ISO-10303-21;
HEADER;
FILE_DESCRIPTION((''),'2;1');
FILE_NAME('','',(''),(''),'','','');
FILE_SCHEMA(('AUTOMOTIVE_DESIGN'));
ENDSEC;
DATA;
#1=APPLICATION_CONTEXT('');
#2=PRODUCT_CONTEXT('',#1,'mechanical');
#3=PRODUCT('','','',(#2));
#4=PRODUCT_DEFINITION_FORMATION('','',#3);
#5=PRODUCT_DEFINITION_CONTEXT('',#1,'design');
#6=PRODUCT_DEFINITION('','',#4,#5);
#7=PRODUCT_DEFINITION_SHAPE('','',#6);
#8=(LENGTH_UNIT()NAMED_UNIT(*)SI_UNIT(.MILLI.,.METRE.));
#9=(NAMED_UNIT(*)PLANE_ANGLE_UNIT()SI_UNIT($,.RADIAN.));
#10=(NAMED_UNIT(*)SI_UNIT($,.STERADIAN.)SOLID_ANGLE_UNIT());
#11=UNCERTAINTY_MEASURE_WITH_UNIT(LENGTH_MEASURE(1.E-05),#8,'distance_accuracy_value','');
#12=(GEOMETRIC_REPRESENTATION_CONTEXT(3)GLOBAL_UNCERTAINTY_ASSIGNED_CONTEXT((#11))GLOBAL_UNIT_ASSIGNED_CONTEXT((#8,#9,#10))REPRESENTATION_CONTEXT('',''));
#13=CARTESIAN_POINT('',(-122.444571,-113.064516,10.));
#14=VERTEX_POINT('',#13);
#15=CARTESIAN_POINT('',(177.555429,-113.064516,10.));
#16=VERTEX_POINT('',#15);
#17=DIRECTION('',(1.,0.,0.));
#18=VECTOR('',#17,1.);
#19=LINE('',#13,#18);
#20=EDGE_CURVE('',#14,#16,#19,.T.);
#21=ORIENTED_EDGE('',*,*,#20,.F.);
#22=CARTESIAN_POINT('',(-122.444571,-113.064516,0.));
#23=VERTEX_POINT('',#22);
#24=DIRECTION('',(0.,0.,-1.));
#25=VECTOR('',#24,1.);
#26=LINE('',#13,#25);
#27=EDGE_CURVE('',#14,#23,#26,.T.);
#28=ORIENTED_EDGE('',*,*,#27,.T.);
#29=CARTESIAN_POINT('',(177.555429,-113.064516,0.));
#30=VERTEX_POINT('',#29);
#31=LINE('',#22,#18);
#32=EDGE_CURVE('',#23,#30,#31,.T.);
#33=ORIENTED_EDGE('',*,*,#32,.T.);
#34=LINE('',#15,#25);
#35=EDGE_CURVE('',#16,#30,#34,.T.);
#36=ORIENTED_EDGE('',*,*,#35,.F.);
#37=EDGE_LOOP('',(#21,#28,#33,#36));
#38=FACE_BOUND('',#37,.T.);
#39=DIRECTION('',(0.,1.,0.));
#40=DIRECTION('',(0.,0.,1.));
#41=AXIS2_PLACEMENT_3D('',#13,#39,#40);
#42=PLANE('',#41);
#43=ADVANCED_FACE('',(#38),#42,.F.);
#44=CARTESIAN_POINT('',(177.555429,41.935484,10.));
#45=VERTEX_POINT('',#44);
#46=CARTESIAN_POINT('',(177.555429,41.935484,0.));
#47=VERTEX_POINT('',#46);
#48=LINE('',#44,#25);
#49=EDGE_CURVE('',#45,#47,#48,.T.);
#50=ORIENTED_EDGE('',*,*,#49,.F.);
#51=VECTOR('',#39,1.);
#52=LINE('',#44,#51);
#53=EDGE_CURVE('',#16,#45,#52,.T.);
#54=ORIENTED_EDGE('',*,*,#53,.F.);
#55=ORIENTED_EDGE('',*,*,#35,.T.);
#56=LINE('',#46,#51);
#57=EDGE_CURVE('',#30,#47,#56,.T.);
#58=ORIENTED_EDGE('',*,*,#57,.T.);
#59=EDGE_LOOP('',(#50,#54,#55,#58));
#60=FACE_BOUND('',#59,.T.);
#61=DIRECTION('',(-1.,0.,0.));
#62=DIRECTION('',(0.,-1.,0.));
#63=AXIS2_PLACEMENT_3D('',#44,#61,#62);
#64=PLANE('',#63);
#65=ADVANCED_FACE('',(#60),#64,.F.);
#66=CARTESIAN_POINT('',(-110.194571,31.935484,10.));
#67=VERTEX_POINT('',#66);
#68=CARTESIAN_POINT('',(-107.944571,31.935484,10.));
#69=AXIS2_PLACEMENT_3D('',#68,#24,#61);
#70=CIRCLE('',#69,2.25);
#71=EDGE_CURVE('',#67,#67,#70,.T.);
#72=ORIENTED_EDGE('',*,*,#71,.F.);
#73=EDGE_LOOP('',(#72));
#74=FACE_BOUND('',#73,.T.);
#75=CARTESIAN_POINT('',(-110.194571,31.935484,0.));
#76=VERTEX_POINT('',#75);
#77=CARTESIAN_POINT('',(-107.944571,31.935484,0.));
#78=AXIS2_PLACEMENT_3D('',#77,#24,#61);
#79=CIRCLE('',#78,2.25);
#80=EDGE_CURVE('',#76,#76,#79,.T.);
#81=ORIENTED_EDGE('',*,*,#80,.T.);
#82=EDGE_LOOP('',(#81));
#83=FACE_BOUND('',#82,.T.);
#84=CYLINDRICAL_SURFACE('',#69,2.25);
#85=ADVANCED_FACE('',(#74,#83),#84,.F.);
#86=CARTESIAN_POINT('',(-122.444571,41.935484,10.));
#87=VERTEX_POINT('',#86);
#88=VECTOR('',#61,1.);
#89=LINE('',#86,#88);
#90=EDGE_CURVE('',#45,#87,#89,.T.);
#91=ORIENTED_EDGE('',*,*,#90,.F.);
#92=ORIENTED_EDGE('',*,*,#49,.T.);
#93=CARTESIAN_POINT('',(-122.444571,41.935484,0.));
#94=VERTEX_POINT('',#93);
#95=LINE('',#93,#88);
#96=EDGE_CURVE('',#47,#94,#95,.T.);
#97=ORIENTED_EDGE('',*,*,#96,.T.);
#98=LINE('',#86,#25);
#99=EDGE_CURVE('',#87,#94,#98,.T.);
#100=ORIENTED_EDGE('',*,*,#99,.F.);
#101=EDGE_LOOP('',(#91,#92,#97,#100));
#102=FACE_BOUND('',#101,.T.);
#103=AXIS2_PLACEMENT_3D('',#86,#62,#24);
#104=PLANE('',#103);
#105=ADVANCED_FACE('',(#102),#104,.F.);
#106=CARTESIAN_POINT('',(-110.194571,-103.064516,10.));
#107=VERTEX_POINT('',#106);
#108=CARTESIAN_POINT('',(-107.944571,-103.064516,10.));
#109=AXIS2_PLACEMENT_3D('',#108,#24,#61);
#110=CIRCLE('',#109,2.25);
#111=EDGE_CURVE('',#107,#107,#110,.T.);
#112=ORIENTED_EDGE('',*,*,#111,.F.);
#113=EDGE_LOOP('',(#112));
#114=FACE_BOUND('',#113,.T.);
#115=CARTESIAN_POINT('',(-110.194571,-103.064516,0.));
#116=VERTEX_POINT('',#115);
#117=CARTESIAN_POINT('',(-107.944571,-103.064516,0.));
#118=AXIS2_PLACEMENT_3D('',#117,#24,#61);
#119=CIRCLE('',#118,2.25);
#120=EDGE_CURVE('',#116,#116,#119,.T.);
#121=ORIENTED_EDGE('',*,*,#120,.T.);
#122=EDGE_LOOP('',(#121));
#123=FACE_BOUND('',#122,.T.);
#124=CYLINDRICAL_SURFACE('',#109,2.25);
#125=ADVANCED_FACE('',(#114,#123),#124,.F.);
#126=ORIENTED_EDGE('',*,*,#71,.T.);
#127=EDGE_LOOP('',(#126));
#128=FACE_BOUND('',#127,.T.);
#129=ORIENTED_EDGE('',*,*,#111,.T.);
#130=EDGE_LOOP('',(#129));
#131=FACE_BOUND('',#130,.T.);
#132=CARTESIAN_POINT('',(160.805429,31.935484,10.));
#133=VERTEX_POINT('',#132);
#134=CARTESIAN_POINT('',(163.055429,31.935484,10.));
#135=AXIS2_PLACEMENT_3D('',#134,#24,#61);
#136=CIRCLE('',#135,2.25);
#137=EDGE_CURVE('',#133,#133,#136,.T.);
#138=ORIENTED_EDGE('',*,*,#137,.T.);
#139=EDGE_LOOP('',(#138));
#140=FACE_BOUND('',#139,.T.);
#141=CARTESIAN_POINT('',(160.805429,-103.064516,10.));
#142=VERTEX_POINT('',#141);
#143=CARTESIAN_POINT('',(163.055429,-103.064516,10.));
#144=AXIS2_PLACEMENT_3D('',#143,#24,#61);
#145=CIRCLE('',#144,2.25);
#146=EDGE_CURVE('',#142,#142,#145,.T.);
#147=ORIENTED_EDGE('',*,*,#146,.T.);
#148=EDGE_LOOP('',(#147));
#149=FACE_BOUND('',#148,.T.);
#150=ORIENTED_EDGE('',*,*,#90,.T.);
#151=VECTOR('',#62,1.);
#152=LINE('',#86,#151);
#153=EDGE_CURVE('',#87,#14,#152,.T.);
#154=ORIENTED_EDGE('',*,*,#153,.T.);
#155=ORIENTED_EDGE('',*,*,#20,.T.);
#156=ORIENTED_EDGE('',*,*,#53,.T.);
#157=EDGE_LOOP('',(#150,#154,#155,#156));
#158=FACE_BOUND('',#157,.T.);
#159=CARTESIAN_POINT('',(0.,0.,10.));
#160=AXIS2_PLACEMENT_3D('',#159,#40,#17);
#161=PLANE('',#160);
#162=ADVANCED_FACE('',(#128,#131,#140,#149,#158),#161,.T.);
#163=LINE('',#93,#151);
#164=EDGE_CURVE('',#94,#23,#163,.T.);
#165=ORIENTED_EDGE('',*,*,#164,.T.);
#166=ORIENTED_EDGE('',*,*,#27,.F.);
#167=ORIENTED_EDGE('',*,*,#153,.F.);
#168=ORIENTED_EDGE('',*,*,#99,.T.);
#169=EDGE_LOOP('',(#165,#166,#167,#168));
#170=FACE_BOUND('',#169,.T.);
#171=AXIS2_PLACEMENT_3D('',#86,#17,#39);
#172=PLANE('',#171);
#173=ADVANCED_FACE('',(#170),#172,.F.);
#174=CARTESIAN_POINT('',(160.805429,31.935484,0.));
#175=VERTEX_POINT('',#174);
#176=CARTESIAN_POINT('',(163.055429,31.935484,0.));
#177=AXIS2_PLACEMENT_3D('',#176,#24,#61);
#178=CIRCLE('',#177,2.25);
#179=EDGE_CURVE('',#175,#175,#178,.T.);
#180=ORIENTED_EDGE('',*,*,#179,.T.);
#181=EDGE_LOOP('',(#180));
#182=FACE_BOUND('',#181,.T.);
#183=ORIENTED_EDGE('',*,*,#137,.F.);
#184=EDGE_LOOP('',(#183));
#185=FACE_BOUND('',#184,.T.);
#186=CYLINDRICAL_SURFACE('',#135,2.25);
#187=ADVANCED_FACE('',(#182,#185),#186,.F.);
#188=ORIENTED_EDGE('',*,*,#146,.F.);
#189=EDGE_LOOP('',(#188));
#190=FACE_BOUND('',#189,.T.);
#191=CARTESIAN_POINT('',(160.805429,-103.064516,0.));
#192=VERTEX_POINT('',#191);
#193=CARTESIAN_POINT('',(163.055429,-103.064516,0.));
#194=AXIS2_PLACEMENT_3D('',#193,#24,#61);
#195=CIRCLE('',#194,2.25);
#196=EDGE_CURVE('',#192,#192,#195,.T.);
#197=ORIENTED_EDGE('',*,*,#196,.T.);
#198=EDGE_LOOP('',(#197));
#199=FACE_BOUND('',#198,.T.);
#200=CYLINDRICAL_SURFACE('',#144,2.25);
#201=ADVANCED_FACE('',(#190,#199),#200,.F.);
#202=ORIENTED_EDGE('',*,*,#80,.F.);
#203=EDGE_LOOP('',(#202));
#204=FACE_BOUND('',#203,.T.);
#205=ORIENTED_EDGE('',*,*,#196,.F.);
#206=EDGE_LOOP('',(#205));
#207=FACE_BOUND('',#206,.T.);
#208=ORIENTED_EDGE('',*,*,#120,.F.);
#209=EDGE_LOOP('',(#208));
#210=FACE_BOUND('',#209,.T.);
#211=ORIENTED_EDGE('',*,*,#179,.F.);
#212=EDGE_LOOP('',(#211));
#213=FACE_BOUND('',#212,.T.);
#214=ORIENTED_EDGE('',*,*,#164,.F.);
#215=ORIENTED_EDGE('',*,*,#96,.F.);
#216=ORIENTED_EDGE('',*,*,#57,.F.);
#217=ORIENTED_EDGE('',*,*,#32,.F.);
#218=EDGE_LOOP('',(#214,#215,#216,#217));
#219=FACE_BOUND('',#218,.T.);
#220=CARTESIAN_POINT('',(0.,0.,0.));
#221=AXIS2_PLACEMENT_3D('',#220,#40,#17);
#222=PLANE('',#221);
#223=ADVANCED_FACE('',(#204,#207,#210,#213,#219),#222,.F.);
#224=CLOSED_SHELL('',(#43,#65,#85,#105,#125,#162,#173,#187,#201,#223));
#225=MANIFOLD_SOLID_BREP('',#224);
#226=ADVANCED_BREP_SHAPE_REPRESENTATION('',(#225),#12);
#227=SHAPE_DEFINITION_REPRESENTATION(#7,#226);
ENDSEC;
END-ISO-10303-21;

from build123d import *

# Parameters (mm, degrees)
ESQUISSE1_W             = 300
ESQUISSE1_H             = 155
BOSS_EXTRU_1_DEPTH      = 10
ESQUISSE2_R             = 2.25
ENL_V_MAT_EXTRU_1_DEPTH = 10


with BuildPart() as part:
    # Esquisse1 → Boss.-Extru.1 (new body)
    with BuildSketch(Plane.XY):
        with Locations((27.555428531, -35.564516129)):
            Rectangle(ESQUISSE1_W, ESQUISSE1_H)
    extrude(amount=BOSS_EXTRU_1_DEPTH)

    # Esquisse2 → Enlèv. mat.-Extru.1 (cut)
    with BuildSketch(Plane(origin=(0, 0, 0), x_dir=(-1, 0, 0), z_dir=(0, 0, -1))):
        with Locations((-163.055428531, -103.064516129)):
            Circle(ESQUISSE2_R)
        with Locations((-163.055428531, 31.935483871)):
            Circle(ESQUISSE2_R)
        with Locations((107.944571469, 31.935483871)):
            Circle(ESQUISSE2_R)
        with Locations((107.944571469, -103.064516129)):
            Circle(ESQUISSE2_R)
    extrude(amount=-ENL_V_MAT_EXTRU_1_DEPTH, mode=Mode.SUBTRACT)


solid = part.part
